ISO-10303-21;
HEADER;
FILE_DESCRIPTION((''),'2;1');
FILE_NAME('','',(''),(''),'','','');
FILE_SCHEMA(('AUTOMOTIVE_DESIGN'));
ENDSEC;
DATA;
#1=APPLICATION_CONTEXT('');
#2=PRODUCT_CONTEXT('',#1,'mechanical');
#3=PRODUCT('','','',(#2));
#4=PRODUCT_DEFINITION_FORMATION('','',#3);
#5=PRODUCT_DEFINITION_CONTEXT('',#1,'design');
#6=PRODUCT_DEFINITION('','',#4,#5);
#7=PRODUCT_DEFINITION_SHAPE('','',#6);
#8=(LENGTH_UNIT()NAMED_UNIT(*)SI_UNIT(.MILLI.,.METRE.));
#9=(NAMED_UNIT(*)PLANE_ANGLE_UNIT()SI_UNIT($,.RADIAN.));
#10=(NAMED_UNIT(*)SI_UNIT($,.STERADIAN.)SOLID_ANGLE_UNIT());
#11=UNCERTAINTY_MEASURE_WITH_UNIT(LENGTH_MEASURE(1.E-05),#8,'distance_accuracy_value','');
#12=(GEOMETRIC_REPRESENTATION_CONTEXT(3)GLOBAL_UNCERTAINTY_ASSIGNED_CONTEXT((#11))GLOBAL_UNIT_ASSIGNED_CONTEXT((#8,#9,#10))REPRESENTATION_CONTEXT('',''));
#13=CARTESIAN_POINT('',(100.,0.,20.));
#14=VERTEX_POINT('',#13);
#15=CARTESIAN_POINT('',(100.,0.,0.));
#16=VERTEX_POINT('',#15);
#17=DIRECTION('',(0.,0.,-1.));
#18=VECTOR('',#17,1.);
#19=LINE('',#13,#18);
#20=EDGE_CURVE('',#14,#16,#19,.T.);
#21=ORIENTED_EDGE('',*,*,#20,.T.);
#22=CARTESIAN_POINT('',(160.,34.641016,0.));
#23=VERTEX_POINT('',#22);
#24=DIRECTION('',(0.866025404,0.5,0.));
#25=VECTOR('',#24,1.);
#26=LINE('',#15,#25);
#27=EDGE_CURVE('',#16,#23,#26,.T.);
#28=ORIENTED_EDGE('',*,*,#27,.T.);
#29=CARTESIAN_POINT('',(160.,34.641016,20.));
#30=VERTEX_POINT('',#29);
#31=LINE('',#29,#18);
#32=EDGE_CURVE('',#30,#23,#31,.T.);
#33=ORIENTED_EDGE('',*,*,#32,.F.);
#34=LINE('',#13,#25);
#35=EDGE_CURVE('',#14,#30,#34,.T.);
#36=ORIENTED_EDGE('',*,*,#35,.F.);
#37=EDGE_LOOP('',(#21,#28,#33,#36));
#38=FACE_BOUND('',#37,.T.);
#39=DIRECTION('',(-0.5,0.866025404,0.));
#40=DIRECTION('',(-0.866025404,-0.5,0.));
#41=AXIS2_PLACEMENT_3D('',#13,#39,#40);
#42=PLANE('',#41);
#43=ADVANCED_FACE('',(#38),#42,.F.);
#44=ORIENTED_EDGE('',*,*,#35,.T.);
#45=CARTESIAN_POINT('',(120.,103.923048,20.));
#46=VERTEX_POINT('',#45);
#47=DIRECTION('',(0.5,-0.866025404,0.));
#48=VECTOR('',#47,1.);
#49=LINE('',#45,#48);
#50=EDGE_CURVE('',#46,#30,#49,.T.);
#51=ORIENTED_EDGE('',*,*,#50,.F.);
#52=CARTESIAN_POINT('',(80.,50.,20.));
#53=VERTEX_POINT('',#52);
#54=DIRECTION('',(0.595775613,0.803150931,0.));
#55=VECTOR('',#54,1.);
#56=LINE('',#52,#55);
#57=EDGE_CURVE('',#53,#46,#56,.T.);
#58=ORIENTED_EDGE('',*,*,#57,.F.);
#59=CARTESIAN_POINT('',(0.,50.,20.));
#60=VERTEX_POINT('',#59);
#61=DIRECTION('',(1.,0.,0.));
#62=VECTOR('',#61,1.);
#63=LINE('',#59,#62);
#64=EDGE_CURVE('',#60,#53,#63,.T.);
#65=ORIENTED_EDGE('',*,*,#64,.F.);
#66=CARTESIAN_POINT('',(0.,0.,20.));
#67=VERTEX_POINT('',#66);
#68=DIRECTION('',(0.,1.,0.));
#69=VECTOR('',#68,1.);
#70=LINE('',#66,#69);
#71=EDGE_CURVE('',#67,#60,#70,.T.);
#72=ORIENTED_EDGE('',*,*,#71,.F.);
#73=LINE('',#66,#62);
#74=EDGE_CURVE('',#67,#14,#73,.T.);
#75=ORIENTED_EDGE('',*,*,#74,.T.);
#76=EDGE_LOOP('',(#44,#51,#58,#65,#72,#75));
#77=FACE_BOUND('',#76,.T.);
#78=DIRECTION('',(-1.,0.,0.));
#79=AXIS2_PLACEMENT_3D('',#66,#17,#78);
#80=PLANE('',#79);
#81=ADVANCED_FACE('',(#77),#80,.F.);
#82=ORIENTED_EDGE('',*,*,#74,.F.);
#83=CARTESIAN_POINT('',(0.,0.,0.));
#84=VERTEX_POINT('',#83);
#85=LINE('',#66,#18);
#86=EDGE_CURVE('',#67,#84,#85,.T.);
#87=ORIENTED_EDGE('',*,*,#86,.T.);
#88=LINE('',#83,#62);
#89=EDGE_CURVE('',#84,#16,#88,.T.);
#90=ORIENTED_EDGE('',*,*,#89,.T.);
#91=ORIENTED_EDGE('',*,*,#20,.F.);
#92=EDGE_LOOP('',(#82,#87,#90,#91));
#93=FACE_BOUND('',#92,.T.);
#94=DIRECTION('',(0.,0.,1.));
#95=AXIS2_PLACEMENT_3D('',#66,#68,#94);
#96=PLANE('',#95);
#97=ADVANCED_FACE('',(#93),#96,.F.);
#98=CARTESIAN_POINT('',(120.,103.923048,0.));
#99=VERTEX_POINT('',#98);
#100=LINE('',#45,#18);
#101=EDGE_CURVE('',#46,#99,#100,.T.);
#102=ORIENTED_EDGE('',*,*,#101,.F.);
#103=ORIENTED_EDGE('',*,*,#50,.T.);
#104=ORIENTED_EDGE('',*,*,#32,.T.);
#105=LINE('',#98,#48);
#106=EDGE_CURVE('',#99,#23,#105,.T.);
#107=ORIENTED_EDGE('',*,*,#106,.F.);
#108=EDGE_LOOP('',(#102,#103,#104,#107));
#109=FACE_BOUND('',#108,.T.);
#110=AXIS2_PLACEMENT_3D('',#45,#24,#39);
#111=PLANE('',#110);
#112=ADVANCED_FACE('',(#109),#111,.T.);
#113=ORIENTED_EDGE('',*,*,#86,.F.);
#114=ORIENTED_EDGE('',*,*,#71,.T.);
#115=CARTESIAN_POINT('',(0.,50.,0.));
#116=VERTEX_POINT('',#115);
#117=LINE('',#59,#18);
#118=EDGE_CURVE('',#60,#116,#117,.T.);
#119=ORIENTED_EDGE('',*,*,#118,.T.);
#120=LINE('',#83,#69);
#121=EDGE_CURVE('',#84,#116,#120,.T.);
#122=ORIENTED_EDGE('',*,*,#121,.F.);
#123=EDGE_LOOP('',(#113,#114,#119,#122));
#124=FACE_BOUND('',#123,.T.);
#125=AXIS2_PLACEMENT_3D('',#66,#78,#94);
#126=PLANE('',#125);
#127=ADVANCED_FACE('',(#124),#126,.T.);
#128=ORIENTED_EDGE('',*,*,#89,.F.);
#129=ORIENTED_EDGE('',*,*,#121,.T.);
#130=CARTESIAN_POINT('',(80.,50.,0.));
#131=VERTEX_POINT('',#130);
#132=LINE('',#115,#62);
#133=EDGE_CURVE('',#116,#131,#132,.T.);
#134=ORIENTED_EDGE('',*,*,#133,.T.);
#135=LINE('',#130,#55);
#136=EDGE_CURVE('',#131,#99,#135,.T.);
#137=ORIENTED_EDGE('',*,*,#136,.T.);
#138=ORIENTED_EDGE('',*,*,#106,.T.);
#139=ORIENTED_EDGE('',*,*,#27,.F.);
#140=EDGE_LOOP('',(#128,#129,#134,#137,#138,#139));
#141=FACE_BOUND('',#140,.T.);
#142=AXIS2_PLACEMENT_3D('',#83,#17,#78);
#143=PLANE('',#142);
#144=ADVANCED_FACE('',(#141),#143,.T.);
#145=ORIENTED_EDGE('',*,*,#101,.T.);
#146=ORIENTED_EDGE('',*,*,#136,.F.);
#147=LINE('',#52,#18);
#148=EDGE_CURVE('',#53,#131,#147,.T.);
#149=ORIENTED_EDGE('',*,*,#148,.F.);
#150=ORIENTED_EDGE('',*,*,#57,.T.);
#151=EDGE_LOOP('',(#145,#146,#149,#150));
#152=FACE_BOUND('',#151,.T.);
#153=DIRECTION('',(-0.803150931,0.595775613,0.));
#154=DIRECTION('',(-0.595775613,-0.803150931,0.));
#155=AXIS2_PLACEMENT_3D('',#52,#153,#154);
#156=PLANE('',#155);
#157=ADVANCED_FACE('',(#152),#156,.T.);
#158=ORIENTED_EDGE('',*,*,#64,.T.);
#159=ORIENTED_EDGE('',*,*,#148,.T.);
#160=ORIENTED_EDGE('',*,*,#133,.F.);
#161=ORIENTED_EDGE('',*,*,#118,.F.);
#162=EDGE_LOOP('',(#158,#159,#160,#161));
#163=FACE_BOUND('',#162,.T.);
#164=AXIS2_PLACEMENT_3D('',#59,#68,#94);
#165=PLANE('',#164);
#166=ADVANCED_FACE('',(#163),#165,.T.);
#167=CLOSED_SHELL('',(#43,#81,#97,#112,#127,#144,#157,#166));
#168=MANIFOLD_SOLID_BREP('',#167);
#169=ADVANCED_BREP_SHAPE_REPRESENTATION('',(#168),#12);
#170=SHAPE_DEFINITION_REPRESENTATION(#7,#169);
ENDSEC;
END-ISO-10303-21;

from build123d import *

# Parameters (mm, degrees)
BOSS_EXTRUDE1_DEPTH = 20


with BuildPart() as part:
    # Sketch1 → Boss-Extrude1 (new body)
    with BuildSketch(Plane.XY):
        Polygon((0, 0), (100, 0), (160, 34.641016151), (120, 103.923048454), (80, 50), (0, 50), align=None)
    extrude(amount=BOSS_EXTRUDE1_DEPTH)


solid = part.part
